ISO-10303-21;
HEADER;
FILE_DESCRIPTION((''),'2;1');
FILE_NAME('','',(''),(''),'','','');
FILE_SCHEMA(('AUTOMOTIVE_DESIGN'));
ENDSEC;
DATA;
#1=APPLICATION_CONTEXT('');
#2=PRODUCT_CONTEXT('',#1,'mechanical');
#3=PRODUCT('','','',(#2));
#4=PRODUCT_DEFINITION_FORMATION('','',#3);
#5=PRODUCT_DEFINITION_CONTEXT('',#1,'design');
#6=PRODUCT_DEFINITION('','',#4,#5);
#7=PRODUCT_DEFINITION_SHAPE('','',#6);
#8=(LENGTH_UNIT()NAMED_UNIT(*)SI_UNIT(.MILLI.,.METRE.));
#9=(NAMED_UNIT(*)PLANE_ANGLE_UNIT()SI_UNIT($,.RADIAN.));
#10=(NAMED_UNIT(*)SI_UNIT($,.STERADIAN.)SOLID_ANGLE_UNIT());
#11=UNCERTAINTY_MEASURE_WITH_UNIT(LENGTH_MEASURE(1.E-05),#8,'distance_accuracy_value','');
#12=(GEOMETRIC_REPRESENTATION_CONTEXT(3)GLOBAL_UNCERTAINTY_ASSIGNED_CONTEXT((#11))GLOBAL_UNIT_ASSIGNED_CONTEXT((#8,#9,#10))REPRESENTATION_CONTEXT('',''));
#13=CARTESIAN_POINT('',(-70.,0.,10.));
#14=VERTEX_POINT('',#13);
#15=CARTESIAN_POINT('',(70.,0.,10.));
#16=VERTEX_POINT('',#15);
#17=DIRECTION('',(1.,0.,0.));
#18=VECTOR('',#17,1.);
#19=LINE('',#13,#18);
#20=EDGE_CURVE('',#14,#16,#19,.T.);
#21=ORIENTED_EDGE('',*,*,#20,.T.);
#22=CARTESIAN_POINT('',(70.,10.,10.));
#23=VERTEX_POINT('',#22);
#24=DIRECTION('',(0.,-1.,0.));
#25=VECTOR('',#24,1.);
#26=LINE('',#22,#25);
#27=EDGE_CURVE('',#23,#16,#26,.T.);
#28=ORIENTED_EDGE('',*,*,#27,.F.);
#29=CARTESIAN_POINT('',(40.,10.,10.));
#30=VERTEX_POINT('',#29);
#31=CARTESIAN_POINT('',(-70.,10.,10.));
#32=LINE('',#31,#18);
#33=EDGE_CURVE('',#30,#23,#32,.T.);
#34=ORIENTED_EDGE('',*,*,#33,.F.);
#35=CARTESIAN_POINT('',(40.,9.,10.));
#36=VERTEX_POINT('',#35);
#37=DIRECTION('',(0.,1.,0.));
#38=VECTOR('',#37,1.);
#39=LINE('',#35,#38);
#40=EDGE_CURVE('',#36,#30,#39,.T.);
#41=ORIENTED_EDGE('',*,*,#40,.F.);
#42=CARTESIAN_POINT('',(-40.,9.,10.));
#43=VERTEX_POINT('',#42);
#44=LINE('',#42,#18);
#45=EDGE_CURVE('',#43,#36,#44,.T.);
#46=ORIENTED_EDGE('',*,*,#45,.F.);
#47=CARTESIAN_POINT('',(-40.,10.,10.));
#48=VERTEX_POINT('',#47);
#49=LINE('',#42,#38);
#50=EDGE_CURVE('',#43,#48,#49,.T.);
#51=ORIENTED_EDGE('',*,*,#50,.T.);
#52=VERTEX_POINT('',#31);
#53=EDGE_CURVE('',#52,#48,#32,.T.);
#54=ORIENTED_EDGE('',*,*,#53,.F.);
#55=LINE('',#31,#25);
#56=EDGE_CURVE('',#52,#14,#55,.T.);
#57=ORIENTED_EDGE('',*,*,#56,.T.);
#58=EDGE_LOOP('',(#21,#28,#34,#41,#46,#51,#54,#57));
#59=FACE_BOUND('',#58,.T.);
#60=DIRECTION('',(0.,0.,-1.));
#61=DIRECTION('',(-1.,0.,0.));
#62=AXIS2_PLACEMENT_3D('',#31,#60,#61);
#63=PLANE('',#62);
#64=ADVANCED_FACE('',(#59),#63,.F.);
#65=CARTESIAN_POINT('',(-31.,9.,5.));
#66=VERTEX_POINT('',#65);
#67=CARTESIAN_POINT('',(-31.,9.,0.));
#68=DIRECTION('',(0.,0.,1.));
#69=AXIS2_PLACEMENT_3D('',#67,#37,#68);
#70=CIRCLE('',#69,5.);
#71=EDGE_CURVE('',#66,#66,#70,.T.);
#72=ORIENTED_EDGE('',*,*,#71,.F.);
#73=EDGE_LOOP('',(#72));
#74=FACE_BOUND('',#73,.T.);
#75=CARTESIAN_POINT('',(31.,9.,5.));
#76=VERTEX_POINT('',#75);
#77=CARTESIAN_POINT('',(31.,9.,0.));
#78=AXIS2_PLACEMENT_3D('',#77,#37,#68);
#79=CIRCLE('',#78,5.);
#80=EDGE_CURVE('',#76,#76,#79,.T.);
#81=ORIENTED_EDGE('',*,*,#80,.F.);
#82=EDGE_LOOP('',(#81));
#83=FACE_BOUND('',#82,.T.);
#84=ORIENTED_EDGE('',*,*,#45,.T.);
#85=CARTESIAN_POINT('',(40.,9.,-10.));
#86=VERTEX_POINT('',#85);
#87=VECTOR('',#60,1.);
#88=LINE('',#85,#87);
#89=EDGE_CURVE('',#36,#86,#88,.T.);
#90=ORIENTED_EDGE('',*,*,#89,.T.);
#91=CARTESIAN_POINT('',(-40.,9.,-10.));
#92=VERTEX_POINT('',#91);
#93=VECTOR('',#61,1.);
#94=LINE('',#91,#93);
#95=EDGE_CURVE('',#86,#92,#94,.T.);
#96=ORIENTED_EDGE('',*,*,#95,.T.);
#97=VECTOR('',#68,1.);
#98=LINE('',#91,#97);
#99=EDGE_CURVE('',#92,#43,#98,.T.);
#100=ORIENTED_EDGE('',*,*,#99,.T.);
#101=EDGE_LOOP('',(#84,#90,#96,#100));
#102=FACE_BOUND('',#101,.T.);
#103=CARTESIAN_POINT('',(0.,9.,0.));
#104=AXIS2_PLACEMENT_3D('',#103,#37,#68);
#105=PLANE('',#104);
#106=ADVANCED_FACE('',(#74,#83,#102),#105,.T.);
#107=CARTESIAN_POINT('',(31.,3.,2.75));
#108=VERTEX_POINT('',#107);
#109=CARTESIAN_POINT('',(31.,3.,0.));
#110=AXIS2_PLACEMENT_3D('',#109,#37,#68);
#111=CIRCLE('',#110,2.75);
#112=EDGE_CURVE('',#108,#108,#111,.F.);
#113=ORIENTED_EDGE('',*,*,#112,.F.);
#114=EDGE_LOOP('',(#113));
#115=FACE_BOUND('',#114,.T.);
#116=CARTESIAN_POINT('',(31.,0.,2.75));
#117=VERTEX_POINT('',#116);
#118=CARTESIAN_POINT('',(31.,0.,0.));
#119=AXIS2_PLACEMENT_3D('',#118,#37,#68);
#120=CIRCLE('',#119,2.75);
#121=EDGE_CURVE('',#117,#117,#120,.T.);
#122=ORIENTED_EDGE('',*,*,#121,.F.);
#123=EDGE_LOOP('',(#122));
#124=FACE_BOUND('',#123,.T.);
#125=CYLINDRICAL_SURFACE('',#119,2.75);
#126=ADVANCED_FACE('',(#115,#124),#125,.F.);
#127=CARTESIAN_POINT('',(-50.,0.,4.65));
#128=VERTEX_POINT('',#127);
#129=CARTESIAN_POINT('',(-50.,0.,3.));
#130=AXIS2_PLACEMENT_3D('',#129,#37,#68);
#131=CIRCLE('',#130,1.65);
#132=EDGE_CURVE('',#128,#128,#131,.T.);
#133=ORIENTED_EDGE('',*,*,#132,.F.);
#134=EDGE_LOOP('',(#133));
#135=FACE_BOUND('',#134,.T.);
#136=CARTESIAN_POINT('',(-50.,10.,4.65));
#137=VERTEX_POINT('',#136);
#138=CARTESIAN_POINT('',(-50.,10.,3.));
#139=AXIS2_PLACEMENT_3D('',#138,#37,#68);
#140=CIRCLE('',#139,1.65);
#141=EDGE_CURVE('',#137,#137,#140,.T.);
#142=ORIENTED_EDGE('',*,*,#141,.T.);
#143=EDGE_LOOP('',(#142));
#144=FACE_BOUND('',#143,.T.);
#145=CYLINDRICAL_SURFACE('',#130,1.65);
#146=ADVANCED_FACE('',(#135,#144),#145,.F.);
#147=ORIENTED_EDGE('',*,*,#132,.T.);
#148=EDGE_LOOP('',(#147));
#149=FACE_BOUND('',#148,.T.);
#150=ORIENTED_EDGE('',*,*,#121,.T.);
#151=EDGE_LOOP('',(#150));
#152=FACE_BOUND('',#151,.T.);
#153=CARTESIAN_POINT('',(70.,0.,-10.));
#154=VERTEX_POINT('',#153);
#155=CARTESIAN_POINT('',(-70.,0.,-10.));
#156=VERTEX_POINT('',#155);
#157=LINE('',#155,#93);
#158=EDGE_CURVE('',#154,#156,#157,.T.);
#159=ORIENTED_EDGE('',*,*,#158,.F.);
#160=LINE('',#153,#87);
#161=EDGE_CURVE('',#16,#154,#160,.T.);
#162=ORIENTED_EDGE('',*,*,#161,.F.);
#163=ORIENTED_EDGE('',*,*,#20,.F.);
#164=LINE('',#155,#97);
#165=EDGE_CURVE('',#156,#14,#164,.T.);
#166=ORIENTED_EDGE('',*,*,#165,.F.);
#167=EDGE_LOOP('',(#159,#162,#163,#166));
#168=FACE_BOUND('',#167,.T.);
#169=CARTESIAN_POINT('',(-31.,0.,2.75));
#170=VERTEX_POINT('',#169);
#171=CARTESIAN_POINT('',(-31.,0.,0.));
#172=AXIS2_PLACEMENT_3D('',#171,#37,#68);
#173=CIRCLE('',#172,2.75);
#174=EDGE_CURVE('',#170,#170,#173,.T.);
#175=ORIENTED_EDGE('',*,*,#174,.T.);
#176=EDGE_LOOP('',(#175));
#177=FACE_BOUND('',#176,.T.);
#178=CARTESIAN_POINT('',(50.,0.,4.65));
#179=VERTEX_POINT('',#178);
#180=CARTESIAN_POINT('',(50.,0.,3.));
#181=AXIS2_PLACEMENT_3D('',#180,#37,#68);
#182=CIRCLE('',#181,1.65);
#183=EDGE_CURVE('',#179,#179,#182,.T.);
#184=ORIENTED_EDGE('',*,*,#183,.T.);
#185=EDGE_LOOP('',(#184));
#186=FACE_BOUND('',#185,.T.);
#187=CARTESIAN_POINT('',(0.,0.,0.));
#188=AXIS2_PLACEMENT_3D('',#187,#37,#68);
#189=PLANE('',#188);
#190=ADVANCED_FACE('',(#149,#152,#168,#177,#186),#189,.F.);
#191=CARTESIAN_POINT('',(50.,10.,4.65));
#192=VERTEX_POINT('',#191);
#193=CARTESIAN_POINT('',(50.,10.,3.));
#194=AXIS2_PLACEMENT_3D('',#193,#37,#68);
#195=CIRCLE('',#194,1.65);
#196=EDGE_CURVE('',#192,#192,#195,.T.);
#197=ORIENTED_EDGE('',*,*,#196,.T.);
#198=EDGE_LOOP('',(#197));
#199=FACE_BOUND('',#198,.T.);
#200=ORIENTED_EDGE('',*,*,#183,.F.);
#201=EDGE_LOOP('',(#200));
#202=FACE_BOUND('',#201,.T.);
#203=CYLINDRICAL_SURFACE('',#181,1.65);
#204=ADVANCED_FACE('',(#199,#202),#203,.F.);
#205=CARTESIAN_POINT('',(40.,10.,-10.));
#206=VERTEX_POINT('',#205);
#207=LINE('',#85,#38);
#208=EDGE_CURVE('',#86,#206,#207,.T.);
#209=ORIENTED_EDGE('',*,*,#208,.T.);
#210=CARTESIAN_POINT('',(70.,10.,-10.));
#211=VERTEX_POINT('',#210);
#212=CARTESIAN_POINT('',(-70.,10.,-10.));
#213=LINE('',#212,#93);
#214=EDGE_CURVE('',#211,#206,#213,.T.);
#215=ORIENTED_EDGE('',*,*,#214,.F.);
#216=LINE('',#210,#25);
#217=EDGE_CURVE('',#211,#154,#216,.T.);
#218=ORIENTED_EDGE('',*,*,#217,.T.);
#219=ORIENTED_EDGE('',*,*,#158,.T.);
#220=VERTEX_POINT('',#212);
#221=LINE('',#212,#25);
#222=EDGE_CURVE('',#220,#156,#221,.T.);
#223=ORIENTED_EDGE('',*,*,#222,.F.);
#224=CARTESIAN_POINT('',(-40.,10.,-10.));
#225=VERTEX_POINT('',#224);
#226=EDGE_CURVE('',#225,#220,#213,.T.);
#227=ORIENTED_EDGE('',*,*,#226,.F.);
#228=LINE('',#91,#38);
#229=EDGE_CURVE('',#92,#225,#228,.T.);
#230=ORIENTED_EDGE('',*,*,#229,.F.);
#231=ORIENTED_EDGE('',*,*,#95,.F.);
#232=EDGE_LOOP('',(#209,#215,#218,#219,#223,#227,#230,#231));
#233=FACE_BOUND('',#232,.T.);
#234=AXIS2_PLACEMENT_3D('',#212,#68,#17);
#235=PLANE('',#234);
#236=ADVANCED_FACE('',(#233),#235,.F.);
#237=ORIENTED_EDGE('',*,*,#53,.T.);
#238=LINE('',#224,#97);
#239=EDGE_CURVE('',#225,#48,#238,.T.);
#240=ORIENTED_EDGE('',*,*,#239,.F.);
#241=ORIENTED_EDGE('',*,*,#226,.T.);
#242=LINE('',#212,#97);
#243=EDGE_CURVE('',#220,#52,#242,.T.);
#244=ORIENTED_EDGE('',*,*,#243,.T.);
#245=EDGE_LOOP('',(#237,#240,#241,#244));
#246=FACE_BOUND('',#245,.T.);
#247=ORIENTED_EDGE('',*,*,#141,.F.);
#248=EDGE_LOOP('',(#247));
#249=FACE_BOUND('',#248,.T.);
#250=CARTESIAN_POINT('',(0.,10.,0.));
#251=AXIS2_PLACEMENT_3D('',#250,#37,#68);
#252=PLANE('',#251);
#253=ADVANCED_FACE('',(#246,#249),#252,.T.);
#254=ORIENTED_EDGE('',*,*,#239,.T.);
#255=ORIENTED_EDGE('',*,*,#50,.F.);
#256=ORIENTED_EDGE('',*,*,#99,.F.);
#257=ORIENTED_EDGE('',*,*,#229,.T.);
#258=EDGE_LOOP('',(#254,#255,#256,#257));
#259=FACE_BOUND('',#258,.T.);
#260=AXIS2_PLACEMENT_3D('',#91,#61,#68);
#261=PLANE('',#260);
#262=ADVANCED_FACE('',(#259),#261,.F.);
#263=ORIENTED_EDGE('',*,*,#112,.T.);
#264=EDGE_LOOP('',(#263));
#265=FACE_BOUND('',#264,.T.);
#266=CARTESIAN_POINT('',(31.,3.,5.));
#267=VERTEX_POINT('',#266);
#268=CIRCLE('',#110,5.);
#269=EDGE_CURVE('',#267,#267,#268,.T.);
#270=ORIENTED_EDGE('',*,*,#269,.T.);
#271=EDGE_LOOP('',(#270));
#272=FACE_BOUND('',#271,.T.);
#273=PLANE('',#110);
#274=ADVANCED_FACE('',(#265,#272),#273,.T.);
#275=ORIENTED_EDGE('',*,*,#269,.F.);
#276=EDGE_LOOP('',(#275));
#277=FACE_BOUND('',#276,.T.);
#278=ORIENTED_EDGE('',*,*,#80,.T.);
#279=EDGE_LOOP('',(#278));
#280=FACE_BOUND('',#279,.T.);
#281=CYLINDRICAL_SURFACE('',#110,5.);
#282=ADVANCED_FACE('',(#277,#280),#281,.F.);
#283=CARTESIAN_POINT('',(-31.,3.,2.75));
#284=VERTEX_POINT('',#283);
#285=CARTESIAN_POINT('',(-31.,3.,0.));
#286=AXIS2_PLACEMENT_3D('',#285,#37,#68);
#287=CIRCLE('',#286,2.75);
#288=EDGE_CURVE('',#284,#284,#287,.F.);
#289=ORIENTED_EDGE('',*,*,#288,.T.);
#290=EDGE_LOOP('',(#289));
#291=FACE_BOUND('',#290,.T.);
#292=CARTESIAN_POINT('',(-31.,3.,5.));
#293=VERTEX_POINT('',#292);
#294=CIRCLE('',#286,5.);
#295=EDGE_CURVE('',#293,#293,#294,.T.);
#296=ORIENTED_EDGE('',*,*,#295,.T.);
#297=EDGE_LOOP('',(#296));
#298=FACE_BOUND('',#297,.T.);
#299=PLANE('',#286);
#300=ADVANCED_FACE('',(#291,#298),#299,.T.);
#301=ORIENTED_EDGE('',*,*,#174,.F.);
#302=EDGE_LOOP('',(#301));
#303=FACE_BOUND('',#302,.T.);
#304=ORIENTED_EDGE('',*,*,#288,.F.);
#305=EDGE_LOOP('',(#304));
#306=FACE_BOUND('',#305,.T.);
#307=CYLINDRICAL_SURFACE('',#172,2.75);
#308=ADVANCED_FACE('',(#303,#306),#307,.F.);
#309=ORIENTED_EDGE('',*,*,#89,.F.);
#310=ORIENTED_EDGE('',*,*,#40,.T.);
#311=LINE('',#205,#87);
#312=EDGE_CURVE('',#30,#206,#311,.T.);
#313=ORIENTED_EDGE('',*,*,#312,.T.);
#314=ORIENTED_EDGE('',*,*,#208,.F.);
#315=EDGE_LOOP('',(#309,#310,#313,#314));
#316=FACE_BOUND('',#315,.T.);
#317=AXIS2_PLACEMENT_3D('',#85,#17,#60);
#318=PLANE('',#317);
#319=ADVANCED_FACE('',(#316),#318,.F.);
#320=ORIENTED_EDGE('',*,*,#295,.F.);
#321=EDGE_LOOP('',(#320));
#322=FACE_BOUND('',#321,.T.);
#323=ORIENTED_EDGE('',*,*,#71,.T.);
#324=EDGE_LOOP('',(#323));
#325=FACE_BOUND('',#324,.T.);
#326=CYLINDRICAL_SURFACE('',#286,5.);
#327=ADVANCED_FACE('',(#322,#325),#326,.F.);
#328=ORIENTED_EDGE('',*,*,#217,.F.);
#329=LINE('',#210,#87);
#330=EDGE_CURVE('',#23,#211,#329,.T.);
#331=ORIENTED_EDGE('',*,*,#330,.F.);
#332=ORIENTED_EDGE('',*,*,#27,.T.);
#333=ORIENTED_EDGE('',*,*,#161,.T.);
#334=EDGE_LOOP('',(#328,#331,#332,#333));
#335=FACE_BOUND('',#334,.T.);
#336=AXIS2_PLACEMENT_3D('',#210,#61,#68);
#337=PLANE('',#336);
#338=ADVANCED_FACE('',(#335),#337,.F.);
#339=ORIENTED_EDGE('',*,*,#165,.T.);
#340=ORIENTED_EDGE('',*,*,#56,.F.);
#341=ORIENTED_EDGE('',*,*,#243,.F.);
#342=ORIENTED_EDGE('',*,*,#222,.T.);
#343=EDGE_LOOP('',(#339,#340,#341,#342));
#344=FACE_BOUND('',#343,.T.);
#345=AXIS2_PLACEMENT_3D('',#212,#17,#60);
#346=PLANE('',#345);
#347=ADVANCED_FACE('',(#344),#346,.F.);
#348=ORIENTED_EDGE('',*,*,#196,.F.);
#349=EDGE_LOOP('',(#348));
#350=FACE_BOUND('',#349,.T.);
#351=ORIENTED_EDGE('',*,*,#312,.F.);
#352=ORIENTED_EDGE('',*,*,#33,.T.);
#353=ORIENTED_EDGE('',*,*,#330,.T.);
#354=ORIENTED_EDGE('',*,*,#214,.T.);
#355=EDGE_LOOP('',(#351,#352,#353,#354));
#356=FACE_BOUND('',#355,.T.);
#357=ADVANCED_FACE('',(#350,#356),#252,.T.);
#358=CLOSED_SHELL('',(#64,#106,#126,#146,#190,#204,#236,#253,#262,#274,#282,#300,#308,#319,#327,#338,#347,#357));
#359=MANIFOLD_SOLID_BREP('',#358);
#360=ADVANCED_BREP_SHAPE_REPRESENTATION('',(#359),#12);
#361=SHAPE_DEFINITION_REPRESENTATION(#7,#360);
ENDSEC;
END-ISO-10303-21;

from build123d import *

# Parameters (mm, degrees)
SKETCH1_W           = 140
SKETCH1_H           = 20
BOSS_EXTRUDE1_DEPTH = 10
SKETCH2_W           = 80
SKETCH2_H           = 20
CUT_EXTRUDE1_DEPTH  = 1
SKETCH3_R           = 2.75
CUT_EXTRUDE2_DEPTH  = 9
SKETCH4_R           = 5
CUT_EXTRUDE3_DEPTH  = 6
SKETCH5_R           = 1.65
CUT_EXTRUDE4_DEPTH  = 10


with BuildPart() as part:
    # Sketch1 → Boss-Extrude1 (new body)
    with BuildSketch(Plane(origin=(0, 0, 0), x_dir=(1, 0, 0), z_dir=(0, 1, 0))):
        Rectangle(SKETCH1_W, SKETCH1_H)
    extrude(amount=BOSS_EXTRUDE1_DEPTH)

    # Sketch2 → Cut-Extrude1 (cut)
    with BuildSketch(Plane(origin=(0, 10, 0), x_dir=(1, 0, 0), z_dir=(0, 1, 0))):
        Rectangle(SKETCH2_W, SKETCH2_H)
    extrude(amount=-CUT_EXTRUDE1_DEPTH, mode=Mode.SUBTRACT)

    # Sketch3 → Cut-Extrude2 (cut)
    with BuildSketch(Plane(origin=(0, 9, 0), x_dir=(1, 0, 0), z_dir=(0, 1, 0))):
        with Locations(Location((31, 0, 0), (0, 0, 270))):
            Circle(SKETCH3_R)
        with Locations(Location((-31, 0, 0), (0, 0, 270))):
            Circle(SKETCH3_R)
    extrude(amount=-CUT_EXTRUDE2_DEPTH, mode=Mode.SUBTRACT)

    # Sketch4 → Cut-Extrude3 (cut)
    with BuildSketch(Plane(origin=(0, 9, 0), x_dir=(1, 0, 0), z_dir=(0, 1, 0))):
        with Locations(Location((31, 0, 0), (0, 0, 270))):
            Circle(SKETCH4_R)
        with Locations(Location((-31, 0, 0), (0, 0, 270))):
            Circle(SKETCH4_R)
    extrude(amount=-CUT_EXTRUDE3_DEPTH, mode=Mode.SUBTRACT)

    # Sketch5 → Cut-Extrude4 (cut)
    with BuildSketch(Plane(origin=(0, 10, 0), x_dir=(1, 0, 0), z_dir=(0, 1, 0))):
        with Locations(Location((-50, -3, 0), (0, 0, 270))):
            Circle(SKETCH5_R)
        with Locations(Location((50, -3, 0), (0, 0, 270))):
            Circle(SKETCH5_R)
    extrude(amount=-CUT_EXTRUDE4_DEPTH, mode=Mode.SUBTRACT)


solid = part.part
